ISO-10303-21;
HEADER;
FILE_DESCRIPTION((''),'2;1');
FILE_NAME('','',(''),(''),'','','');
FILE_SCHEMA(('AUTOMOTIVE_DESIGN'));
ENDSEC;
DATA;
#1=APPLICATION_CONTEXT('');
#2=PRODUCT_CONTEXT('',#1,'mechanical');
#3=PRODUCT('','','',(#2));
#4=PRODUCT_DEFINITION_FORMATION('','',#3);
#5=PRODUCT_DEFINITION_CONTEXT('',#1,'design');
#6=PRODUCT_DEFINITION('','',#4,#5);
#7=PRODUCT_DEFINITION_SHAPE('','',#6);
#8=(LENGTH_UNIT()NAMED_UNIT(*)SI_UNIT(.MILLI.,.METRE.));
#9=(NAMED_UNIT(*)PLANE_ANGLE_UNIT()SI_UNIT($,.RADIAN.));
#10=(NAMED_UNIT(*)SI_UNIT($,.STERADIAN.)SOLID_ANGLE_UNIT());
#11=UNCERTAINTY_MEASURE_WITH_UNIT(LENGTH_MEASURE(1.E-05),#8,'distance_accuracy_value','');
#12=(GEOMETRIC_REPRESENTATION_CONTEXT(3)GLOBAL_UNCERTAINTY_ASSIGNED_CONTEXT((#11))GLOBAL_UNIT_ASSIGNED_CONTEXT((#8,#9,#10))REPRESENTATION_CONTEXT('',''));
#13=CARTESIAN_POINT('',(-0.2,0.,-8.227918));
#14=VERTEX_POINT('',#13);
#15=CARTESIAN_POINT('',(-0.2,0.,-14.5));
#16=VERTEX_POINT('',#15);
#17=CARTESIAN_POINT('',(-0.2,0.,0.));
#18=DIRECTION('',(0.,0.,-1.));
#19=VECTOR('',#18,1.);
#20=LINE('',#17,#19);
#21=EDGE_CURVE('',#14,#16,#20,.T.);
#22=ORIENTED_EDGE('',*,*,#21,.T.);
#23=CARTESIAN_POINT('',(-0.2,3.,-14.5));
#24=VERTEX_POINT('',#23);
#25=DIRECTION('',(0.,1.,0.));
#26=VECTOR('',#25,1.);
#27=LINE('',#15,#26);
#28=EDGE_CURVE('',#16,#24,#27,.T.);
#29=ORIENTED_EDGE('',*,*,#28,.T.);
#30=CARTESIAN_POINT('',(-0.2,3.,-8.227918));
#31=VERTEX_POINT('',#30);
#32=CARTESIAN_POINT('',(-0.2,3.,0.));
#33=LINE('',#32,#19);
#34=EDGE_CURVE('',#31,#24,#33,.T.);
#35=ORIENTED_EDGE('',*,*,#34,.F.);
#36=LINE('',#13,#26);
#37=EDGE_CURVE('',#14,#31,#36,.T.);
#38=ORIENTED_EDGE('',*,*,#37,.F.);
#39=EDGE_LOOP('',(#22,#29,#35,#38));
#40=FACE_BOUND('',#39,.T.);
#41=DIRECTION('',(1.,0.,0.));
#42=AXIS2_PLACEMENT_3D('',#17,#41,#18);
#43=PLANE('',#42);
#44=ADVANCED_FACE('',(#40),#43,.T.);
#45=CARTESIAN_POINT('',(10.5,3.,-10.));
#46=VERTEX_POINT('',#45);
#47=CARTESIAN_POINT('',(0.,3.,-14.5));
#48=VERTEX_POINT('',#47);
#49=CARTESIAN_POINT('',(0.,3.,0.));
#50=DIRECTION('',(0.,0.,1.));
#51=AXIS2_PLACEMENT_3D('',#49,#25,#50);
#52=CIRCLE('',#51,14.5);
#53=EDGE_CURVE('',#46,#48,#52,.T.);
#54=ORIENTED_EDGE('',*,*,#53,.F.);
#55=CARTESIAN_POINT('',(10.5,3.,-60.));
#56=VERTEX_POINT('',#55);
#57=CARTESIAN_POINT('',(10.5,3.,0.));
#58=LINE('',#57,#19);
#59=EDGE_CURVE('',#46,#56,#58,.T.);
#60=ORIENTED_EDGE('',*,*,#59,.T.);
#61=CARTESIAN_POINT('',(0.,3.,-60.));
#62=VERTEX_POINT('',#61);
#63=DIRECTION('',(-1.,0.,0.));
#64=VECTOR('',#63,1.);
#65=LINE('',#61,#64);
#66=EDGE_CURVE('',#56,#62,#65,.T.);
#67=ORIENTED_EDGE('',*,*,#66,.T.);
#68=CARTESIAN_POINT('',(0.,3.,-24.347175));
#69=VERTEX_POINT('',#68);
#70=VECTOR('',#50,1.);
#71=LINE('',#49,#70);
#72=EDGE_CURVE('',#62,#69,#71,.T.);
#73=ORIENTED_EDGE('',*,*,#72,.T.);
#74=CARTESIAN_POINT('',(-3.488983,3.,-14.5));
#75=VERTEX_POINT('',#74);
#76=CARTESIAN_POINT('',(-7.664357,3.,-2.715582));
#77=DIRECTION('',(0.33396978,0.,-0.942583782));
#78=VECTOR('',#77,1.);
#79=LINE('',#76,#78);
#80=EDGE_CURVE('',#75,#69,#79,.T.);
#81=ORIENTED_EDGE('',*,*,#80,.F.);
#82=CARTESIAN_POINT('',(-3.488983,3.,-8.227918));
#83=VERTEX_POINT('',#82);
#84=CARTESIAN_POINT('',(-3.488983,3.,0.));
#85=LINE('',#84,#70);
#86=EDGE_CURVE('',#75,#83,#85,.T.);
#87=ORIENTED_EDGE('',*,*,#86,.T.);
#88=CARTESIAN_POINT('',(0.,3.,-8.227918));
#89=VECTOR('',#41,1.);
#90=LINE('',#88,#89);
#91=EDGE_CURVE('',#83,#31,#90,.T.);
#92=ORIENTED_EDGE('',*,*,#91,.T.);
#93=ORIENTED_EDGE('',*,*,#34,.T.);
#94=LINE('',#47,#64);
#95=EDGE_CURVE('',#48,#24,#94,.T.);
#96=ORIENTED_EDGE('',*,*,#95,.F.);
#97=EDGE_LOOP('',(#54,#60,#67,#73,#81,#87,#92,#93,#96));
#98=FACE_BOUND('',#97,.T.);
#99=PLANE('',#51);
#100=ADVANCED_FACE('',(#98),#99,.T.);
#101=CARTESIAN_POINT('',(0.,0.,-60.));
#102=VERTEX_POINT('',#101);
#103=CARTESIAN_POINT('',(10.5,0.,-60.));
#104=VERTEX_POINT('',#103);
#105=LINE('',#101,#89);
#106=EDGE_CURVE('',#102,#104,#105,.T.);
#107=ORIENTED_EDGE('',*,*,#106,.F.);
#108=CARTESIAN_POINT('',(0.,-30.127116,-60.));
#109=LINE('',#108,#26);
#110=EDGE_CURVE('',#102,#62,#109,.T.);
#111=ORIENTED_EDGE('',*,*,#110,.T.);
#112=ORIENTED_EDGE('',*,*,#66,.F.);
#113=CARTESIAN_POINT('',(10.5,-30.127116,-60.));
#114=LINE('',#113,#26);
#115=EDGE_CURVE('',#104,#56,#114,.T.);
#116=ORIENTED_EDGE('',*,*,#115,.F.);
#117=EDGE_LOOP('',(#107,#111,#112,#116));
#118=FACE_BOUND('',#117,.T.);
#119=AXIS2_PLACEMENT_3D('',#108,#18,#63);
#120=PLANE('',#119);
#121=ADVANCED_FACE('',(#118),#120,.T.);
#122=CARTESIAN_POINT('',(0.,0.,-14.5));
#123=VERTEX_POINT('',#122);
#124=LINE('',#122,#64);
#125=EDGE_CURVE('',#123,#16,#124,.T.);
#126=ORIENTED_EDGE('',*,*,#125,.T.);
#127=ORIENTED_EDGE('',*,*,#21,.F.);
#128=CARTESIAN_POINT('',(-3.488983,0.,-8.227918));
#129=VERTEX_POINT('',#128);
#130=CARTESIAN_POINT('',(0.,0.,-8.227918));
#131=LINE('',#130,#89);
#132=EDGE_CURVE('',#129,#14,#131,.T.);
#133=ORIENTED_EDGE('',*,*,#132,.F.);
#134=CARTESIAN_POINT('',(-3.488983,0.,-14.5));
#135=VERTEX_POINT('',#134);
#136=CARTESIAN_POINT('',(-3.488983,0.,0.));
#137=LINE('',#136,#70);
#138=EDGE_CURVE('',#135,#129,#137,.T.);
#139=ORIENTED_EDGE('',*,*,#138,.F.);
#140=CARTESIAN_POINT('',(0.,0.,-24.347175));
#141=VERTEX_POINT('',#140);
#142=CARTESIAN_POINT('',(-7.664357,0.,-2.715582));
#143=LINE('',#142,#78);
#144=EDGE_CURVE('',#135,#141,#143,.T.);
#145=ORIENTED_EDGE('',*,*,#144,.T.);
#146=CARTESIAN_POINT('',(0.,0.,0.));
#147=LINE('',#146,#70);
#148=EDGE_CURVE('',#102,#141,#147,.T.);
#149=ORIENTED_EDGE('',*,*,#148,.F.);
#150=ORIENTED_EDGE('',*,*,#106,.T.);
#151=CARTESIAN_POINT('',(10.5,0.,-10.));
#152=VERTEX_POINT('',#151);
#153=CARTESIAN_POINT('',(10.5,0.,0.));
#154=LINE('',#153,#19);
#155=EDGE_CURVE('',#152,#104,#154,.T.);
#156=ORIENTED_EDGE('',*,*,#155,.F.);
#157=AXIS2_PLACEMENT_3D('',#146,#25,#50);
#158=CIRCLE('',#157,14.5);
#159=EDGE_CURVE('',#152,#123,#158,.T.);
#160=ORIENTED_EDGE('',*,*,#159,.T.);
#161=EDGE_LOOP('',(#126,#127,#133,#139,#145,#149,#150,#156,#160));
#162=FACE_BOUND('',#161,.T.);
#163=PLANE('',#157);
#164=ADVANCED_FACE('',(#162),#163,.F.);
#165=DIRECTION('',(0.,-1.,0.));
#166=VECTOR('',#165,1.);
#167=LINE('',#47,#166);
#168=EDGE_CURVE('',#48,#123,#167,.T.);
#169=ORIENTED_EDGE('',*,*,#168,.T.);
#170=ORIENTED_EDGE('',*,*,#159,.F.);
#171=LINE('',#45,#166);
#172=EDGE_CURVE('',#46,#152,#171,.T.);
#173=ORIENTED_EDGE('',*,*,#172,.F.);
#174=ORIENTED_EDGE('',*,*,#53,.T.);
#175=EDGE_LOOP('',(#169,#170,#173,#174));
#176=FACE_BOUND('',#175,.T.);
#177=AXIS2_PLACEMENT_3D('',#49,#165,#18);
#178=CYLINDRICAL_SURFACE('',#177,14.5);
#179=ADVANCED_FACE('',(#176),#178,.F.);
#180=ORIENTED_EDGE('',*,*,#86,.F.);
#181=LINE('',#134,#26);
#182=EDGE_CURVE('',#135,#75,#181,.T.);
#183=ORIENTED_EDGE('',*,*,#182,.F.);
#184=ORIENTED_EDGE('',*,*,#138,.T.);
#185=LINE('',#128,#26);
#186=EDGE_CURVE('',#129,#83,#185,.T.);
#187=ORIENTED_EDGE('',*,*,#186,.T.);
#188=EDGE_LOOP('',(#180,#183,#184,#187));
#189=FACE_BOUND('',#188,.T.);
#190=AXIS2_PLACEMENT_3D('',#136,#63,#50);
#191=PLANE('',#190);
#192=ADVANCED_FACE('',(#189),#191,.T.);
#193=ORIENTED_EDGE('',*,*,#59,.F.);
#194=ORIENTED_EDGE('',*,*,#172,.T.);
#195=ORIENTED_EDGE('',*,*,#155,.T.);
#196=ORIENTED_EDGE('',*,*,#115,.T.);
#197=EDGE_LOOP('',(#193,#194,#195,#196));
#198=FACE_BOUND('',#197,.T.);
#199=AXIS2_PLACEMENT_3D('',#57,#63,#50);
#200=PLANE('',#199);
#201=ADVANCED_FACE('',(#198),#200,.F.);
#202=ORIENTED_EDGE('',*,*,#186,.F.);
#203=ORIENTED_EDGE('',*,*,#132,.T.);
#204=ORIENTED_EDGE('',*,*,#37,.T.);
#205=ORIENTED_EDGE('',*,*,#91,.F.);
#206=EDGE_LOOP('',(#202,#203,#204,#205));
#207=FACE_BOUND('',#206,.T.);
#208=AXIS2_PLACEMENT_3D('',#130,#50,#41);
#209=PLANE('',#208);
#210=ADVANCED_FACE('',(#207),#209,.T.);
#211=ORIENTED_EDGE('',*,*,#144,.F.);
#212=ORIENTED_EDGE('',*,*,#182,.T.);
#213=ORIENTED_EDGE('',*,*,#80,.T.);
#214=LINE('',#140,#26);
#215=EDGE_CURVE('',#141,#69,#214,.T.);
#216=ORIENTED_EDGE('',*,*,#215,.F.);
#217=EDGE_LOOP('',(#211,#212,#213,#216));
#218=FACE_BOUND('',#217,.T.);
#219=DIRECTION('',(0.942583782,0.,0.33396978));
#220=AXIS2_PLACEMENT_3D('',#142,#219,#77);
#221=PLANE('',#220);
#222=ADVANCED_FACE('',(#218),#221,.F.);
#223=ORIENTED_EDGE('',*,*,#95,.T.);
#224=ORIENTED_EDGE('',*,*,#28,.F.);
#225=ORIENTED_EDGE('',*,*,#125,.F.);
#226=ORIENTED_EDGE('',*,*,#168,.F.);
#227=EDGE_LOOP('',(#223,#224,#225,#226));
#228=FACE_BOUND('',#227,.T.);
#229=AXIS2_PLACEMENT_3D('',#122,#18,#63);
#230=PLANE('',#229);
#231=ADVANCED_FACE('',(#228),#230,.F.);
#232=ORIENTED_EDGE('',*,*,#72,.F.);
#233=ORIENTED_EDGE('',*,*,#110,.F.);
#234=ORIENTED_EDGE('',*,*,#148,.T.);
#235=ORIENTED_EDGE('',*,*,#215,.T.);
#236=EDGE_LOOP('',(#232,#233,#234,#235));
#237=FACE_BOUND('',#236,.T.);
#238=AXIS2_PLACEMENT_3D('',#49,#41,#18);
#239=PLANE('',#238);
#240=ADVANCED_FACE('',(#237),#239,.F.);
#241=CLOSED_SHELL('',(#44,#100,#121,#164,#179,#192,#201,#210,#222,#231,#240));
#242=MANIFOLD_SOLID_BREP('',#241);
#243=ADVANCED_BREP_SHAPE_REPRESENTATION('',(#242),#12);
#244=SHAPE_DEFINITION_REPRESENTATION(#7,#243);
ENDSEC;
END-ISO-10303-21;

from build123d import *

# Parameters (mm, degrees)
EXTRUDE_1_DEPTH = 3
SKETCH_2_W      = 3.288983057
SKETCH_2_H      = 6.272081599
EXTRUDE_2_DEPTH = 3
SKETCH_3_W      = 10.5
SKETCH_3_H      = 28.238150406
EXTRUDE_3_DEPTH = 3


with BuildPart() as part:
    # 草图1 → 凸台-拉伸1 (new body)
    with BuildSketch(Plane(origin=(0, 0, 0), x_dir=(1, 0, 0), z_dir=(0, 1, 0))):
        with BuildLine():
            ThreePointArc((0, 14.5), (5.711829829, 13.327602935), (10.5, 10))
            Line((10.5, 10), (10.5, 31.761849594))
            Line((10.5, 31.761849594), (0, 31.761849594))
            Line((0, 31.761849594), (0, 14.5))
        make_face()
    extrude(amount=EXTRUDE_1_DEPTH)

    # 草图2 → 凸台-拉伸2 (add)
    with BuildSketch(Plane(origin=(0, 3, 0), x_dir=(1, 0, 0), z_dir=(0, 1, 0))):
        Polygon((-0.2, 14.5), (0, 14.5), (0, 24.347174928), (-3.488983057, 14.5), align=None)
        with Locations((-1.844491529, 11.363959201)):
            Rectangle(SKETCH_2_W, SKETCH_2_H)
    extrude(amount=-EXTRUDE_2_DEPTH)

    # 草图3 → 凸台-拉伸3 (add)
    with BuildSketch(Plane(origin=(0, 3, 0), x_dir=(1, 0, 0), z_dir=(0, 1, 0))):
        with Locations((5.25, 45.880924797)):
            Rectangle(SKETCH_3_W, SKETCH_3_H)
    extrude(amount=-EXTRUDE_3_DEPTH)


solid = part.part
